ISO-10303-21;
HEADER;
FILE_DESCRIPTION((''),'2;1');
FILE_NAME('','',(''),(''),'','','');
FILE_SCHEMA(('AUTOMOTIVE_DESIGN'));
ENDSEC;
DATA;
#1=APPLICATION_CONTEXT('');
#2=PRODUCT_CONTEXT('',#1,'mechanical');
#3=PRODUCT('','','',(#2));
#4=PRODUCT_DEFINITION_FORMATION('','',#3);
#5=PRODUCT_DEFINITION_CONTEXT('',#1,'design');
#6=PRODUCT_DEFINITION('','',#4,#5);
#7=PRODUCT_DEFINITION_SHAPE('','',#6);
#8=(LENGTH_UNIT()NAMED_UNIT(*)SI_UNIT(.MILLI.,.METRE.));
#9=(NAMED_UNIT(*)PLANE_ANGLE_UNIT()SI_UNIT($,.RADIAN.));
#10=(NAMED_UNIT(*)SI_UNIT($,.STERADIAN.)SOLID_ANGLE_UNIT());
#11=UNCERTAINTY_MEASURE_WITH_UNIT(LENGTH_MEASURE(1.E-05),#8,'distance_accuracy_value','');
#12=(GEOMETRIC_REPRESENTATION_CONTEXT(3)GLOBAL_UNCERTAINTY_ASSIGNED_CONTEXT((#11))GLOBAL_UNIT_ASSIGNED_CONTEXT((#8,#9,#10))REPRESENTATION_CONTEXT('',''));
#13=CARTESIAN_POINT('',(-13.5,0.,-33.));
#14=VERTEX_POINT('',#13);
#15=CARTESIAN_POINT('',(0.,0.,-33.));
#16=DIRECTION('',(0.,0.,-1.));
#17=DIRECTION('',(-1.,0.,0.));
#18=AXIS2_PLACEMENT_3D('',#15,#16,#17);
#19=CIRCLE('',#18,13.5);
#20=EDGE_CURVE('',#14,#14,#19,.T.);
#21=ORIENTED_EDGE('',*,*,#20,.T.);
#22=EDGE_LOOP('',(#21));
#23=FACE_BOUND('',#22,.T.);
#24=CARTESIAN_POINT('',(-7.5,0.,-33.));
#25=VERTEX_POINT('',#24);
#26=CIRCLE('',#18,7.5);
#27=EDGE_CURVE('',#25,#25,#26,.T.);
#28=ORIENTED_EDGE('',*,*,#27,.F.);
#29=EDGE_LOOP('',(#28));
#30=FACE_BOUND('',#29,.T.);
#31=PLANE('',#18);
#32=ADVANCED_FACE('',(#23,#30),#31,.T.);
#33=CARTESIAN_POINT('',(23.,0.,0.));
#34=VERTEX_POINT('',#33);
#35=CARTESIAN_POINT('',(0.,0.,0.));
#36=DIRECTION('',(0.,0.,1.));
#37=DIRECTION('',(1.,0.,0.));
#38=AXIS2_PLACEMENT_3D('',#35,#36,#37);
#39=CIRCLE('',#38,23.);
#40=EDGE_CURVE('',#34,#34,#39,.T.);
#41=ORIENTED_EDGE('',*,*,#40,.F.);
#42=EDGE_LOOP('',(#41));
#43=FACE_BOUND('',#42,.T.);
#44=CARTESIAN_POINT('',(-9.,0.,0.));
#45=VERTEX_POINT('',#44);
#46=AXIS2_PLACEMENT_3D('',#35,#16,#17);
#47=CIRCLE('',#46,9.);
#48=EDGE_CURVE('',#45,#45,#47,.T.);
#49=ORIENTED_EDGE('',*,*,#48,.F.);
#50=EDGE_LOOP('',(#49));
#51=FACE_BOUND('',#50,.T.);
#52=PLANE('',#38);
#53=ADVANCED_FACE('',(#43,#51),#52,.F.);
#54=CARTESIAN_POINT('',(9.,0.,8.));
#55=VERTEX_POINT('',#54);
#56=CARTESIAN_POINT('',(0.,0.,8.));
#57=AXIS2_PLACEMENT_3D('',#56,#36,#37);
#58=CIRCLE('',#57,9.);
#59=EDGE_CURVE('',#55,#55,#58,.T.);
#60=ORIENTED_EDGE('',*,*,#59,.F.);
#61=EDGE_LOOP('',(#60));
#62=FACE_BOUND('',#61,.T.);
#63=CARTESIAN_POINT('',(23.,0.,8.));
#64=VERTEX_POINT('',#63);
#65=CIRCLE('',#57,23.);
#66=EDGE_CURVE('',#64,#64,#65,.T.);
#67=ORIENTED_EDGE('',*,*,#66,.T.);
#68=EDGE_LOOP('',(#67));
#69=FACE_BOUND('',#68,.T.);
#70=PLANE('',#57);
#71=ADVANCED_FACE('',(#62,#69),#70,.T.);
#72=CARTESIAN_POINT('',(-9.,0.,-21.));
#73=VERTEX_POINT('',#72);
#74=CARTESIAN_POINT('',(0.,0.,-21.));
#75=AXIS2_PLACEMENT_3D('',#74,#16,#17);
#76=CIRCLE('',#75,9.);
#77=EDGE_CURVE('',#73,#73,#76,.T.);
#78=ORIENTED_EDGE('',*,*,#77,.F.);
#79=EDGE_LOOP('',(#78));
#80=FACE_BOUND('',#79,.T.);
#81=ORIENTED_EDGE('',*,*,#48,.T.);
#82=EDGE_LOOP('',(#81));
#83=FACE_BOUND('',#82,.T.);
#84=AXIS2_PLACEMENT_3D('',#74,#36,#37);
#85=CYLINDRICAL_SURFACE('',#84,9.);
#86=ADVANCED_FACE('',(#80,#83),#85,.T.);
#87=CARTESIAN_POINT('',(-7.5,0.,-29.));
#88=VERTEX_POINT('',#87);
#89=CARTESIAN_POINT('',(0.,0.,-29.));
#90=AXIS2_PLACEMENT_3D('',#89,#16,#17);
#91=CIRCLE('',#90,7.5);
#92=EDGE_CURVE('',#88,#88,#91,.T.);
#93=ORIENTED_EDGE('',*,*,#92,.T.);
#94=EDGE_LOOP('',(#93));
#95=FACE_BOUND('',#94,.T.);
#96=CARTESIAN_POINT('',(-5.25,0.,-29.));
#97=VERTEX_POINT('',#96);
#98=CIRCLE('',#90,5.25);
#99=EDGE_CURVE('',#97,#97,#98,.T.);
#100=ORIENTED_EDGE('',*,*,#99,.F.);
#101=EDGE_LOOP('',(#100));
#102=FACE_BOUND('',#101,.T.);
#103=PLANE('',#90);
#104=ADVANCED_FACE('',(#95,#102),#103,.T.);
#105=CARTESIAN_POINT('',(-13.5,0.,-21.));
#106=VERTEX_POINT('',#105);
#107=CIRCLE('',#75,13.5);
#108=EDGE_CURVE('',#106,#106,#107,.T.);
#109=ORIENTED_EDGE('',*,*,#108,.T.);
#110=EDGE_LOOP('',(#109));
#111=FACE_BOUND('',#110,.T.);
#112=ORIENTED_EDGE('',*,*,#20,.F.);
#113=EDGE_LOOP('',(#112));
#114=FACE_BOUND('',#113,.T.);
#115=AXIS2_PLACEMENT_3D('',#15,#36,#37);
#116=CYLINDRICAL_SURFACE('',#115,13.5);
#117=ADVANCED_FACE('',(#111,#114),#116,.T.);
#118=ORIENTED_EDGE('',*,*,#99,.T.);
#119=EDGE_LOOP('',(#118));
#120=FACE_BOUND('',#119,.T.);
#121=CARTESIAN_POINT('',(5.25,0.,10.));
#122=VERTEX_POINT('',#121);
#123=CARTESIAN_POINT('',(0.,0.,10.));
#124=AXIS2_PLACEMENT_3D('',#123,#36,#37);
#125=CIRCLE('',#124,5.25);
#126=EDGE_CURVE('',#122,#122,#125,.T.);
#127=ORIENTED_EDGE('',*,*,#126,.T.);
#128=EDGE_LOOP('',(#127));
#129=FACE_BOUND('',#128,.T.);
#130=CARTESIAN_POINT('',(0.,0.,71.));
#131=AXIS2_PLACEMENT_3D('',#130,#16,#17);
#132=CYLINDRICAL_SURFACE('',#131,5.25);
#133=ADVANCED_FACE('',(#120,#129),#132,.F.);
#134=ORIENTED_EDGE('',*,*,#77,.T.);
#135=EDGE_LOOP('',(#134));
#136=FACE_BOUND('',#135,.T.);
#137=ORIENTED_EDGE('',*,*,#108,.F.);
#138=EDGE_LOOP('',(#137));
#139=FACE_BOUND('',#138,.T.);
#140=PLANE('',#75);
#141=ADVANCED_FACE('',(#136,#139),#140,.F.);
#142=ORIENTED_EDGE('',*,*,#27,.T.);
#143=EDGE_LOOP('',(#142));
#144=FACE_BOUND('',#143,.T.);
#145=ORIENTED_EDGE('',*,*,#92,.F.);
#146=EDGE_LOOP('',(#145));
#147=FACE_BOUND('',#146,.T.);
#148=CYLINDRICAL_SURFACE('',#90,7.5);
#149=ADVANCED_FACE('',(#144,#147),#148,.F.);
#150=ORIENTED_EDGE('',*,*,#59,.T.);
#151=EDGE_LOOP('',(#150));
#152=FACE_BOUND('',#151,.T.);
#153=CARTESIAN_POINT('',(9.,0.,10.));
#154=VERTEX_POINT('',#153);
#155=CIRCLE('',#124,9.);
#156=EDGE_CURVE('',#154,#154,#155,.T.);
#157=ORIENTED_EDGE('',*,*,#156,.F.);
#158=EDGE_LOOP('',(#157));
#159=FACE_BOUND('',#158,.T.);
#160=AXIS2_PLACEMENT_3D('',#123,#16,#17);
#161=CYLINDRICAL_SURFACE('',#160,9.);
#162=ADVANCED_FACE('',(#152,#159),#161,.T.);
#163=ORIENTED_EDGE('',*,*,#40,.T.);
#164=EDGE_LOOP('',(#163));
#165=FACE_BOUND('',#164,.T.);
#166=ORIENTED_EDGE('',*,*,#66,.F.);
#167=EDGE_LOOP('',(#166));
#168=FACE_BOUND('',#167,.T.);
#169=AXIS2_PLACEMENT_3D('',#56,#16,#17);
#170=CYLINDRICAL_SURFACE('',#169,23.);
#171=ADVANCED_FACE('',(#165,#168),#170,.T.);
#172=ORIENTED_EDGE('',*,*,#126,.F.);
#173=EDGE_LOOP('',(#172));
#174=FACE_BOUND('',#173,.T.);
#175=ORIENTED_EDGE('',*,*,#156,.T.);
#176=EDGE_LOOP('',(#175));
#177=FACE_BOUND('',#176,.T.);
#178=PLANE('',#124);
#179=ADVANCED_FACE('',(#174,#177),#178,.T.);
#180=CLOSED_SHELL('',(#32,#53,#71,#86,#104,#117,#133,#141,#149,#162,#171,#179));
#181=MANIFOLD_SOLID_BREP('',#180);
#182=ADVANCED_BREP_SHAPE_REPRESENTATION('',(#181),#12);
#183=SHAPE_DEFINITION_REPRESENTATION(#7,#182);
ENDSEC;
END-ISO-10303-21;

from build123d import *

# Parameters (mm, degrees)
SKETCH_1_R          = 23
EXTRUDE_1_DEPTH     = 8
SKETCH_2_R          = 9
EXTRUDE_2_DEPTH     = 2
SKETCH_3_R          = 9
EXTRUDE_3_DEPTH     = 21
SKETCH_4_R          = 13.5
EXTRUDE_4_DEPTH     = 12
SKETCH_5_R          = 7.5
CUT_EXTRUDE_1_DEPTH = 4
SKETCH_6_R          = 5.25
CUT_EXTRUDE_2_DEPTH = 100


with BuildPart() as part:
    # Эскиз1 → Бобышка-Вытянуть1 (new body)
    with BuildSketch(Plane.XY):
        Circle(SKETCH_1_R)
    extrude(amount=EXTRUDE_1_DEPTH)

    # Эскиз2 → Бобышка-Вытянуть2 (add)
    with BuildSketch(Plane.XY.offset(8)):
        Circle(SKETCH_2_R)
    extrude(amount=EXTRUDE_2_DEPTH)

    # Эскиз3 → Бобышка-Вытянуть3 (add)
    with BuildSketch(Plane(origin=(0, 0, 0), x_dir=(-1, 0, 0), z_dir=(0, 0, -1))):
        Circle(SKETCH_3_R)
    extrude(amount=EXTRUDE_3_DEPTH)

    # Эскиз4 → Бобышка-Вытянуть4 (add)
    with BuildSketch(Plane(origin=(0, 0, -21), x_dir=(-1, 0, 0), z_dir=(0, 0, -1))):
        Circle(SKETCH_4_R)
    extrude(amount=EXTRUDE_4_DEPTH)

    # Эскиз5 → Вырез-Вытянуть1 (cut)
    with BuildSketch(Plane(origin=(0, 0, -33), x_dir=(-1, 0, 0), z_dir=(0, 0, -1))):
        Circle(SKETCH_5_R)
    extrude(amount=-CUT_EXTRUDE_1_DEPTH, mode=Mode.SUBTRACT)

    # Эскиз6 → Вырез-Вытянуть2 (cut)
    with BuildSketch(Plane(origin=(0, 0, -29), x_dir=(-1, 0, 0), z_dir=(0, 0, -1))):
        Circle(SKETCH_6_R)
    extrude(amount=-CUT_EXTRUDE_2_DEPTH, mode=Mode.SUBTRACT)


solid = part.part
